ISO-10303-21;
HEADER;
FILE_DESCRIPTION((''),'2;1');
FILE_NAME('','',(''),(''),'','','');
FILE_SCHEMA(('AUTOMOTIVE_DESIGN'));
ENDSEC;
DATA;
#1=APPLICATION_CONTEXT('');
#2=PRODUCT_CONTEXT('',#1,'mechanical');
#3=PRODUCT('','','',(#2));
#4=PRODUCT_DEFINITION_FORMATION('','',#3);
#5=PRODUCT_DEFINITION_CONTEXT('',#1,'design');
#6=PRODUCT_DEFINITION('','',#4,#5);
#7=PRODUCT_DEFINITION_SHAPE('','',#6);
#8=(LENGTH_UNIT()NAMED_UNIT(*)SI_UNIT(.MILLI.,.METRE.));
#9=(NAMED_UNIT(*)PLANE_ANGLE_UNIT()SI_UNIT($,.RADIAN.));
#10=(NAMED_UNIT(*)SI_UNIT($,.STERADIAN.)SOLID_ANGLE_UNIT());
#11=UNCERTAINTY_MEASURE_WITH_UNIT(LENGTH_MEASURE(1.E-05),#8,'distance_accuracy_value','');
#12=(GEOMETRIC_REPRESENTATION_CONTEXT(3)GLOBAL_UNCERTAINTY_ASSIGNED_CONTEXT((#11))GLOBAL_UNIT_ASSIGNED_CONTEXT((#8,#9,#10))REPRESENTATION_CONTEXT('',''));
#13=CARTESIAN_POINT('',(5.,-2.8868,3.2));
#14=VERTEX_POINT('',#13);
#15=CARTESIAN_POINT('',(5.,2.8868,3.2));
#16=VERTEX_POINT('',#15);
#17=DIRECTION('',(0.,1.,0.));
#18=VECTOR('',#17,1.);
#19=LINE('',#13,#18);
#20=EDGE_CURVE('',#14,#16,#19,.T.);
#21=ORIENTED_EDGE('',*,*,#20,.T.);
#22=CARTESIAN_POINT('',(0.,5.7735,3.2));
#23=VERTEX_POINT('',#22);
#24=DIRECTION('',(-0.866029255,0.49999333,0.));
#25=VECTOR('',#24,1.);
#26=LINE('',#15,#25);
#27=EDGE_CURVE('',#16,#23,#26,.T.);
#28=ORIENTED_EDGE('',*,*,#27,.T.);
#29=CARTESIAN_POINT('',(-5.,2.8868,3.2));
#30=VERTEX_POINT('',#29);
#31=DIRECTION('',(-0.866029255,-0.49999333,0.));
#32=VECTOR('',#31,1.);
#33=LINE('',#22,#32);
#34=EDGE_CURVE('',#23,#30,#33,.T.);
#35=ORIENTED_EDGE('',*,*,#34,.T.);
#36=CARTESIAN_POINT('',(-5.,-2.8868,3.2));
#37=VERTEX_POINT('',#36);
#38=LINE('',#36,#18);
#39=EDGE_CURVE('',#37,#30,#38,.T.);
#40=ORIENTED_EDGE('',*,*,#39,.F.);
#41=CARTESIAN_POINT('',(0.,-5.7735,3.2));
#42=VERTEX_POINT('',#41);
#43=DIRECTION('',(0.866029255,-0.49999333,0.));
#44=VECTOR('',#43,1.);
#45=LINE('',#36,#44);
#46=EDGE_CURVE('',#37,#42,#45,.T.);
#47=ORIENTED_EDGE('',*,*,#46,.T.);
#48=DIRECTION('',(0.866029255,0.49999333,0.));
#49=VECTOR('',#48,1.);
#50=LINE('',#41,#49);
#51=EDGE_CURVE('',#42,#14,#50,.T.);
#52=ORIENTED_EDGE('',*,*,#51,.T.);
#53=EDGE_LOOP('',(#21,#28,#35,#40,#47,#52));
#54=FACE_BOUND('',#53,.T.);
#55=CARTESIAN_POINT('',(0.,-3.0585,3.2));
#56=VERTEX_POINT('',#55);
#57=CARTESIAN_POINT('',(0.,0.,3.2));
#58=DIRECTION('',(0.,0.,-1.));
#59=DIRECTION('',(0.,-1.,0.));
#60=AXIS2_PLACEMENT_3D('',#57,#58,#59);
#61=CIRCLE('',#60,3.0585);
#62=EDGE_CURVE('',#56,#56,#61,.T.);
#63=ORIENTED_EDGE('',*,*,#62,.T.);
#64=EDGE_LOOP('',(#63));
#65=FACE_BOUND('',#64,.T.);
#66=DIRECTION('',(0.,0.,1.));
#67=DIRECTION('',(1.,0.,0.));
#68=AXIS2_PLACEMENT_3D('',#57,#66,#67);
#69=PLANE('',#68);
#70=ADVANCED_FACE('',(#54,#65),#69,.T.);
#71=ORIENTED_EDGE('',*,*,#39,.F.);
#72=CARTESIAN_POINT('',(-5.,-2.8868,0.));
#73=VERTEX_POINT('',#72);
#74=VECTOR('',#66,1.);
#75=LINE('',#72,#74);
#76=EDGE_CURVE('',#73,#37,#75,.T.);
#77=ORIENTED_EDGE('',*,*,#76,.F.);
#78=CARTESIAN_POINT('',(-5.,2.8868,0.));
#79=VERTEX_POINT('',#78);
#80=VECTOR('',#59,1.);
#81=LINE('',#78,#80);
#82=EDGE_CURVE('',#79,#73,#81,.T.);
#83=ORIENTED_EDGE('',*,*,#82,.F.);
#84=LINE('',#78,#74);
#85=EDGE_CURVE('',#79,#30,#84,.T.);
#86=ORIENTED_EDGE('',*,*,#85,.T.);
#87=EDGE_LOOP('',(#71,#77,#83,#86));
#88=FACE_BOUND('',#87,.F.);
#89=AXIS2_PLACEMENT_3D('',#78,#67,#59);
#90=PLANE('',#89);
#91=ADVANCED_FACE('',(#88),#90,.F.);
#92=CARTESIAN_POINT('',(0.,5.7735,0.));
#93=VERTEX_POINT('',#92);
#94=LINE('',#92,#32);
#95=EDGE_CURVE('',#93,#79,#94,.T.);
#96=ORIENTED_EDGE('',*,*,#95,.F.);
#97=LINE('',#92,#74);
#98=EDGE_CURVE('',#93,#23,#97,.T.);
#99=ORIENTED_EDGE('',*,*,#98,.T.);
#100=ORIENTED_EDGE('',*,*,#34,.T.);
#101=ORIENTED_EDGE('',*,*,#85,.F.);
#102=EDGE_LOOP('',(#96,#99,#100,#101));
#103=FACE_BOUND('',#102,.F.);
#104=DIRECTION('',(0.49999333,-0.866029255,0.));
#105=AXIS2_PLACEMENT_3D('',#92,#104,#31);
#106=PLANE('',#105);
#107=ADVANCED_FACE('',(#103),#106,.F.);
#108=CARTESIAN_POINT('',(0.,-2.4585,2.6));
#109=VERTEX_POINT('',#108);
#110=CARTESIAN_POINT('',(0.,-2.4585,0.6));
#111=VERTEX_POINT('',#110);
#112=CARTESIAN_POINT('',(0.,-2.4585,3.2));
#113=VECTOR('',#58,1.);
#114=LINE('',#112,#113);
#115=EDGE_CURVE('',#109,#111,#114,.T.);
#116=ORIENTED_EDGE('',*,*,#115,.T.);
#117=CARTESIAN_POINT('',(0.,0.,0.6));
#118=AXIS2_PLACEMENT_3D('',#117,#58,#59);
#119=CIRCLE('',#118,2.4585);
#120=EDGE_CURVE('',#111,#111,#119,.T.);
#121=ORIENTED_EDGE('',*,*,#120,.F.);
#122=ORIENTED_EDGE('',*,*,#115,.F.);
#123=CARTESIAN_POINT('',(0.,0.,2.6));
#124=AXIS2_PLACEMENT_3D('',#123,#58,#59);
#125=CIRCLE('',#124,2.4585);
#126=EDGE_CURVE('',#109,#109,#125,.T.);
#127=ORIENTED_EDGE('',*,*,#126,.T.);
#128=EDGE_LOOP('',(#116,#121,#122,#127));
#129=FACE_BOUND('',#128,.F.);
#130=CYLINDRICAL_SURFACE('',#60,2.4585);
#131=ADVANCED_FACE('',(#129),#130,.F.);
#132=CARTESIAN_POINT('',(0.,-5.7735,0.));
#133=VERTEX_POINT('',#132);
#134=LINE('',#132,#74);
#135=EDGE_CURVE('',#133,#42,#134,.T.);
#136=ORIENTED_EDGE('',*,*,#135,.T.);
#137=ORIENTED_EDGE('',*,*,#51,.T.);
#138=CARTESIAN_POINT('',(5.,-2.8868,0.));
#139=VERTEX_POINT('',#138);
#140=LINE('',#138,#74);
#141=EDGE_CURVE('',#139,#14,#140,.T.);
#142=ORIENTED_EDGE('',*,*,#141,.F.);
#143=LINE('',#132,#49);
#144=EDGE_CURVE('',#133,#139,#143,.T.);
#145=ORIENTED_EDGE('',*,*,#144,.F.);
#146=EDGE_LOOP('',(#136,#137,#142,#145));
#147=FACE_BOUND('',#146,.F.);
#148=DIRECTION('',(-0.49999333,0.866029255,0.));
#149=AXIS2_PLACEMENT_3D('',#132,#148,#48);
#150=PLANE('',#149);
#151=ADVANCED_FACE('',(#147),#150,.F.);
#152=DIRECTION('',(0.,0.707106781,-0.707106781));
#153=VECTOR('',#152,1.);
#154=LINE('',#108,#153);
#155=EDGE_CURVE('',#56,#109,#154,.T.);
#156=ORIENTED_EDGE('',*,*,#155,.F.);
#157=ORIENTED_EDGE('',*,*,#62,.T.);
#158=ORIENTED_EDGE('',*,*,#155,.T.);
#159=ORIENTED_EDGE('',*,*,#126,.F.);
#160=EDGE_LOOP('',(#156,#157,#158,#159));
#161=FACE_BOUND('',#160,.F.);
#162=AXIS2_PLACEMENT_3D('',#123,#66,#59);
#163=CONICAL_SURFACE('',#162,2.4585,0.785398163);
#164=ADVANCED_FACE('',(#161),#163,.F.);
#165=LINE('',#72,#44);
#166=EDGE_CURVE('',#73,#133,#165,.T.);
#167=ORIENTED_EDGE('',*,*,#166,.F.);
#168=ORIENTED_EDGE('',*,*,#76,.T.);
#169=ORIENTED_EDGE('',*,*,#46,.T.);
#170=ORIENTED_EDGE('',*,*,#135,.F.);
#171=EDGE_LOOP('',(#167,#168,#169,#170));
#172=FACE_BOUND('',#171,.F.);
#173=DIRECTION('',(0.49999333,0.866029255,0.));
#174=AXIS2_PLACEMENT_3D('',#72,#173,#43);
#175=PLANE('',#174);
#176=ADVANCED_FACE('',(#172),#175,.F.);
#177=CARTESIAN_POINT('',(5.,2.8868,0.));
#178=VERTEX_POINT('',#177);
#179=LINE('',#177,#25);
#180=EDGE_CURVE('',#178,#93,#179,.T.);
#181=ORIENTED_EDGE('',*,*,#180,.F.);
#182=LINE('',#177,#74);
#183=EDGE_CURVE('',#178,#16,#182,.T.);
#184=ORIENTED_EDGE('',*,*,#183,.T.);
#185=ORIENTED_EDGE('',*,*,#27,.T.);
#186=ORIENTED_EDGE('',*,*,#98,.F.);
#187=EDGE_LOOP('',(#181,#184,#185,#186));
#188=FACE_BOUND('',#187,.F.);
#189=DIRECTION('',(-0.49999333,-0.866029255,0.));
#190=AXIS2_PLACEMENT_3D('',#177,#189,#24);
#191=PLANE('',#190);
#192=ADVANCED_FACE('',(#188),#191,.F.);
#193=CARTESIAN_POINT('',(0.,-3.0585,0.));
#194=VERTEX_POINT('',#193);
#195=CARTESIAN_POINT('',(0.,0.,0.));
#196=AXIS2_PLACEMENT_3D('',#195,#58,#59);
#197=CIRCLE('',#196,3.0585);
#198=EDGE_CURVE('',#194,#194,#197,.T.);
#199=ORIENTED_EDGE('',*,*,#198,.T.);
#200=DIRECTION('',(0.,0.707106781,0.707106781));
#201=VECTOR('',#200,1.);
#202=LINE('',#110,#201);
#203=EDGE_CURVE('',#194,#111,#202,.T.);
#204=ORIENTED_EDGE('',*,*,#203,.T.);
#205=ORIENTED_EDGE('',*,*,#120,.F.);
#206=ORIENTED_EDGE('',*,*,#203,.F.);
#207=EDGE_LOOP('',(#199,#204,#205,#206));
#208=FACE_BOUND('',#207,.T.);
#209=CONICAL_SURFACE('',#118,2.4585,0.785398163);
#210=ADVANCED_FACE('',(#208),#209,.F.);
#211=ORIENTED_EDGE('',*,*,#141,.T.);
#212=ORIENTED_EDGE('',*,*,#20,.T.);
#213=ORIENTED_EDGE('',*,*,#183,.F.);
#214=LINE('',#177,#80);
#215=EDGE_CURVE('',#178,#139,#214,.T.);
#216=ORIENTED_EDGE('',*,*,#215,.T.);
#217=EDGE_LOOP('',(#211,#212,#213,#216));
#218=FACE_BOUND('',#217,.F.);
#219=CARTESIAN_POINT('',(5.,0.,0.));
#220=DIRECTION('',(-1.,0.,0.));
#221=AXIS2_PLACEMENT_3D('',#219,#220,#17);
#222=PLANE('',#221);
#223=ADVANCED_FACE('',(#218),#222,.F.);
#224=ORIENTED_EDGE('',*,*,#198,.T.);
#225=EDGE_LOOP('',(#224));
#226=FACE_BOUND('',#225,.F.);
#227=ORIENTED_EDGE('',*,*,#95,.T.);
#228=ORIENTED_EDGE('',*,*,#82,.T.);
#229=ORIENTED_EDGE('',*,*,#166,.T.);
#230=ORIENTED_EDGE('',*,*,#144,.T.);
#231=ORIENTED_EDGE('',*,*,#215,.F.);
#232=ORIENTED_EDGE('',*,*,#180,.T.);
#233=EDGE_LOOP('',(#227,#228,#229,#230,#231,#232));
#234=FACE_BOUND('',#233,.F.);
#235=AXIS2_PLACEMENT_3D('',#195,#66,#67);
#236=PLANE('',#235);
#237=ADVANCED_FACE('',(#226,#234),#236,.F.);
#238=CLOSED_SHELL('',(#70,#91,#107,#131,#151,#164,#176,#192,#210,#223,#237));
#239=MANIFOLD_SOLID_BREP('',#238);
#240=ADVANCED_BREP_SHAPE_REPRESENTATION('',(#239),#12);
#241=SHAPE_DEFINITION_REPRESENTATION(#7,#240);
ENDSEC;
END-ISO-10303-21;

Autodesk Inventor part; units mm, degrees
sketch "Sketch1" plane through (0, 0, 0) normal (0, 0, 1) x (1, 0, 0)
  circle A0 centre (0, 0) radius 5 construction
  line L0 (-5, 2.8868) -> (-5, -2.8868)
  line L1 (-5, -2.8868) -> (0, -5.7735)
  line L2 (0, -5.7735) -> (5, -2.8868)
  line L3 (5, -2.8868) -> (5, 2.8868)
  line L4 (5, 2.8868) -> (0, 5.7735)
  line L5 (0, 5.7735) -> (-5, 2.8868)
  line L6 (0, 8.0829) -> (0, -8.0829) projected
  line L7 (-7, 0) -> (7, 0) projected
  point P0 (0, 0)
  dimension "ParS" = 10
extrude "Extrusion1" add sketch "Sketch1" along normal blind 3.2
sketch "Sketch2" plane through (0, 0, 3.2) normal (0, 0, 1) x (1, 0, 0)
  point P0 (0, 0)
  point P1 (0, 0)
hole "Hole1" at (0, 0, 3.2) direction (0, 0, -1) diameter 4.917 end through all thread size "M6x1" class "6H" standard "ISO Metric profile"
ref_plane "MSC_PT1" through (0, 0, 3.2) normal (0, 0, 1) x (1, 0, 0)
ref_plane "MSC_PT2" through (0, 0, 0) normal (0, 0, -1) x (-1, 0, 0)
ref_plane "MSC_PF1" through (0, 0, 0) normal (1, 0, 0) x (0, 1, 0)
chamfer "Chamfer1" distance 0.6 angle 45 2 edges at (0, 2.4585, 3.2) (0, 2.4585, 0)
equation "\"d17\" = 0.6 * PTC"
equation "\"d18\" = 0.6 * PTC"
equation "\"d4\" = M"
equation "\"PTC\" = 1"
equation "\"NND\" = 6"
equation "\"THREADDIA\" = NND"
properties part number "ISO 4036 - M6" material "Steel"
